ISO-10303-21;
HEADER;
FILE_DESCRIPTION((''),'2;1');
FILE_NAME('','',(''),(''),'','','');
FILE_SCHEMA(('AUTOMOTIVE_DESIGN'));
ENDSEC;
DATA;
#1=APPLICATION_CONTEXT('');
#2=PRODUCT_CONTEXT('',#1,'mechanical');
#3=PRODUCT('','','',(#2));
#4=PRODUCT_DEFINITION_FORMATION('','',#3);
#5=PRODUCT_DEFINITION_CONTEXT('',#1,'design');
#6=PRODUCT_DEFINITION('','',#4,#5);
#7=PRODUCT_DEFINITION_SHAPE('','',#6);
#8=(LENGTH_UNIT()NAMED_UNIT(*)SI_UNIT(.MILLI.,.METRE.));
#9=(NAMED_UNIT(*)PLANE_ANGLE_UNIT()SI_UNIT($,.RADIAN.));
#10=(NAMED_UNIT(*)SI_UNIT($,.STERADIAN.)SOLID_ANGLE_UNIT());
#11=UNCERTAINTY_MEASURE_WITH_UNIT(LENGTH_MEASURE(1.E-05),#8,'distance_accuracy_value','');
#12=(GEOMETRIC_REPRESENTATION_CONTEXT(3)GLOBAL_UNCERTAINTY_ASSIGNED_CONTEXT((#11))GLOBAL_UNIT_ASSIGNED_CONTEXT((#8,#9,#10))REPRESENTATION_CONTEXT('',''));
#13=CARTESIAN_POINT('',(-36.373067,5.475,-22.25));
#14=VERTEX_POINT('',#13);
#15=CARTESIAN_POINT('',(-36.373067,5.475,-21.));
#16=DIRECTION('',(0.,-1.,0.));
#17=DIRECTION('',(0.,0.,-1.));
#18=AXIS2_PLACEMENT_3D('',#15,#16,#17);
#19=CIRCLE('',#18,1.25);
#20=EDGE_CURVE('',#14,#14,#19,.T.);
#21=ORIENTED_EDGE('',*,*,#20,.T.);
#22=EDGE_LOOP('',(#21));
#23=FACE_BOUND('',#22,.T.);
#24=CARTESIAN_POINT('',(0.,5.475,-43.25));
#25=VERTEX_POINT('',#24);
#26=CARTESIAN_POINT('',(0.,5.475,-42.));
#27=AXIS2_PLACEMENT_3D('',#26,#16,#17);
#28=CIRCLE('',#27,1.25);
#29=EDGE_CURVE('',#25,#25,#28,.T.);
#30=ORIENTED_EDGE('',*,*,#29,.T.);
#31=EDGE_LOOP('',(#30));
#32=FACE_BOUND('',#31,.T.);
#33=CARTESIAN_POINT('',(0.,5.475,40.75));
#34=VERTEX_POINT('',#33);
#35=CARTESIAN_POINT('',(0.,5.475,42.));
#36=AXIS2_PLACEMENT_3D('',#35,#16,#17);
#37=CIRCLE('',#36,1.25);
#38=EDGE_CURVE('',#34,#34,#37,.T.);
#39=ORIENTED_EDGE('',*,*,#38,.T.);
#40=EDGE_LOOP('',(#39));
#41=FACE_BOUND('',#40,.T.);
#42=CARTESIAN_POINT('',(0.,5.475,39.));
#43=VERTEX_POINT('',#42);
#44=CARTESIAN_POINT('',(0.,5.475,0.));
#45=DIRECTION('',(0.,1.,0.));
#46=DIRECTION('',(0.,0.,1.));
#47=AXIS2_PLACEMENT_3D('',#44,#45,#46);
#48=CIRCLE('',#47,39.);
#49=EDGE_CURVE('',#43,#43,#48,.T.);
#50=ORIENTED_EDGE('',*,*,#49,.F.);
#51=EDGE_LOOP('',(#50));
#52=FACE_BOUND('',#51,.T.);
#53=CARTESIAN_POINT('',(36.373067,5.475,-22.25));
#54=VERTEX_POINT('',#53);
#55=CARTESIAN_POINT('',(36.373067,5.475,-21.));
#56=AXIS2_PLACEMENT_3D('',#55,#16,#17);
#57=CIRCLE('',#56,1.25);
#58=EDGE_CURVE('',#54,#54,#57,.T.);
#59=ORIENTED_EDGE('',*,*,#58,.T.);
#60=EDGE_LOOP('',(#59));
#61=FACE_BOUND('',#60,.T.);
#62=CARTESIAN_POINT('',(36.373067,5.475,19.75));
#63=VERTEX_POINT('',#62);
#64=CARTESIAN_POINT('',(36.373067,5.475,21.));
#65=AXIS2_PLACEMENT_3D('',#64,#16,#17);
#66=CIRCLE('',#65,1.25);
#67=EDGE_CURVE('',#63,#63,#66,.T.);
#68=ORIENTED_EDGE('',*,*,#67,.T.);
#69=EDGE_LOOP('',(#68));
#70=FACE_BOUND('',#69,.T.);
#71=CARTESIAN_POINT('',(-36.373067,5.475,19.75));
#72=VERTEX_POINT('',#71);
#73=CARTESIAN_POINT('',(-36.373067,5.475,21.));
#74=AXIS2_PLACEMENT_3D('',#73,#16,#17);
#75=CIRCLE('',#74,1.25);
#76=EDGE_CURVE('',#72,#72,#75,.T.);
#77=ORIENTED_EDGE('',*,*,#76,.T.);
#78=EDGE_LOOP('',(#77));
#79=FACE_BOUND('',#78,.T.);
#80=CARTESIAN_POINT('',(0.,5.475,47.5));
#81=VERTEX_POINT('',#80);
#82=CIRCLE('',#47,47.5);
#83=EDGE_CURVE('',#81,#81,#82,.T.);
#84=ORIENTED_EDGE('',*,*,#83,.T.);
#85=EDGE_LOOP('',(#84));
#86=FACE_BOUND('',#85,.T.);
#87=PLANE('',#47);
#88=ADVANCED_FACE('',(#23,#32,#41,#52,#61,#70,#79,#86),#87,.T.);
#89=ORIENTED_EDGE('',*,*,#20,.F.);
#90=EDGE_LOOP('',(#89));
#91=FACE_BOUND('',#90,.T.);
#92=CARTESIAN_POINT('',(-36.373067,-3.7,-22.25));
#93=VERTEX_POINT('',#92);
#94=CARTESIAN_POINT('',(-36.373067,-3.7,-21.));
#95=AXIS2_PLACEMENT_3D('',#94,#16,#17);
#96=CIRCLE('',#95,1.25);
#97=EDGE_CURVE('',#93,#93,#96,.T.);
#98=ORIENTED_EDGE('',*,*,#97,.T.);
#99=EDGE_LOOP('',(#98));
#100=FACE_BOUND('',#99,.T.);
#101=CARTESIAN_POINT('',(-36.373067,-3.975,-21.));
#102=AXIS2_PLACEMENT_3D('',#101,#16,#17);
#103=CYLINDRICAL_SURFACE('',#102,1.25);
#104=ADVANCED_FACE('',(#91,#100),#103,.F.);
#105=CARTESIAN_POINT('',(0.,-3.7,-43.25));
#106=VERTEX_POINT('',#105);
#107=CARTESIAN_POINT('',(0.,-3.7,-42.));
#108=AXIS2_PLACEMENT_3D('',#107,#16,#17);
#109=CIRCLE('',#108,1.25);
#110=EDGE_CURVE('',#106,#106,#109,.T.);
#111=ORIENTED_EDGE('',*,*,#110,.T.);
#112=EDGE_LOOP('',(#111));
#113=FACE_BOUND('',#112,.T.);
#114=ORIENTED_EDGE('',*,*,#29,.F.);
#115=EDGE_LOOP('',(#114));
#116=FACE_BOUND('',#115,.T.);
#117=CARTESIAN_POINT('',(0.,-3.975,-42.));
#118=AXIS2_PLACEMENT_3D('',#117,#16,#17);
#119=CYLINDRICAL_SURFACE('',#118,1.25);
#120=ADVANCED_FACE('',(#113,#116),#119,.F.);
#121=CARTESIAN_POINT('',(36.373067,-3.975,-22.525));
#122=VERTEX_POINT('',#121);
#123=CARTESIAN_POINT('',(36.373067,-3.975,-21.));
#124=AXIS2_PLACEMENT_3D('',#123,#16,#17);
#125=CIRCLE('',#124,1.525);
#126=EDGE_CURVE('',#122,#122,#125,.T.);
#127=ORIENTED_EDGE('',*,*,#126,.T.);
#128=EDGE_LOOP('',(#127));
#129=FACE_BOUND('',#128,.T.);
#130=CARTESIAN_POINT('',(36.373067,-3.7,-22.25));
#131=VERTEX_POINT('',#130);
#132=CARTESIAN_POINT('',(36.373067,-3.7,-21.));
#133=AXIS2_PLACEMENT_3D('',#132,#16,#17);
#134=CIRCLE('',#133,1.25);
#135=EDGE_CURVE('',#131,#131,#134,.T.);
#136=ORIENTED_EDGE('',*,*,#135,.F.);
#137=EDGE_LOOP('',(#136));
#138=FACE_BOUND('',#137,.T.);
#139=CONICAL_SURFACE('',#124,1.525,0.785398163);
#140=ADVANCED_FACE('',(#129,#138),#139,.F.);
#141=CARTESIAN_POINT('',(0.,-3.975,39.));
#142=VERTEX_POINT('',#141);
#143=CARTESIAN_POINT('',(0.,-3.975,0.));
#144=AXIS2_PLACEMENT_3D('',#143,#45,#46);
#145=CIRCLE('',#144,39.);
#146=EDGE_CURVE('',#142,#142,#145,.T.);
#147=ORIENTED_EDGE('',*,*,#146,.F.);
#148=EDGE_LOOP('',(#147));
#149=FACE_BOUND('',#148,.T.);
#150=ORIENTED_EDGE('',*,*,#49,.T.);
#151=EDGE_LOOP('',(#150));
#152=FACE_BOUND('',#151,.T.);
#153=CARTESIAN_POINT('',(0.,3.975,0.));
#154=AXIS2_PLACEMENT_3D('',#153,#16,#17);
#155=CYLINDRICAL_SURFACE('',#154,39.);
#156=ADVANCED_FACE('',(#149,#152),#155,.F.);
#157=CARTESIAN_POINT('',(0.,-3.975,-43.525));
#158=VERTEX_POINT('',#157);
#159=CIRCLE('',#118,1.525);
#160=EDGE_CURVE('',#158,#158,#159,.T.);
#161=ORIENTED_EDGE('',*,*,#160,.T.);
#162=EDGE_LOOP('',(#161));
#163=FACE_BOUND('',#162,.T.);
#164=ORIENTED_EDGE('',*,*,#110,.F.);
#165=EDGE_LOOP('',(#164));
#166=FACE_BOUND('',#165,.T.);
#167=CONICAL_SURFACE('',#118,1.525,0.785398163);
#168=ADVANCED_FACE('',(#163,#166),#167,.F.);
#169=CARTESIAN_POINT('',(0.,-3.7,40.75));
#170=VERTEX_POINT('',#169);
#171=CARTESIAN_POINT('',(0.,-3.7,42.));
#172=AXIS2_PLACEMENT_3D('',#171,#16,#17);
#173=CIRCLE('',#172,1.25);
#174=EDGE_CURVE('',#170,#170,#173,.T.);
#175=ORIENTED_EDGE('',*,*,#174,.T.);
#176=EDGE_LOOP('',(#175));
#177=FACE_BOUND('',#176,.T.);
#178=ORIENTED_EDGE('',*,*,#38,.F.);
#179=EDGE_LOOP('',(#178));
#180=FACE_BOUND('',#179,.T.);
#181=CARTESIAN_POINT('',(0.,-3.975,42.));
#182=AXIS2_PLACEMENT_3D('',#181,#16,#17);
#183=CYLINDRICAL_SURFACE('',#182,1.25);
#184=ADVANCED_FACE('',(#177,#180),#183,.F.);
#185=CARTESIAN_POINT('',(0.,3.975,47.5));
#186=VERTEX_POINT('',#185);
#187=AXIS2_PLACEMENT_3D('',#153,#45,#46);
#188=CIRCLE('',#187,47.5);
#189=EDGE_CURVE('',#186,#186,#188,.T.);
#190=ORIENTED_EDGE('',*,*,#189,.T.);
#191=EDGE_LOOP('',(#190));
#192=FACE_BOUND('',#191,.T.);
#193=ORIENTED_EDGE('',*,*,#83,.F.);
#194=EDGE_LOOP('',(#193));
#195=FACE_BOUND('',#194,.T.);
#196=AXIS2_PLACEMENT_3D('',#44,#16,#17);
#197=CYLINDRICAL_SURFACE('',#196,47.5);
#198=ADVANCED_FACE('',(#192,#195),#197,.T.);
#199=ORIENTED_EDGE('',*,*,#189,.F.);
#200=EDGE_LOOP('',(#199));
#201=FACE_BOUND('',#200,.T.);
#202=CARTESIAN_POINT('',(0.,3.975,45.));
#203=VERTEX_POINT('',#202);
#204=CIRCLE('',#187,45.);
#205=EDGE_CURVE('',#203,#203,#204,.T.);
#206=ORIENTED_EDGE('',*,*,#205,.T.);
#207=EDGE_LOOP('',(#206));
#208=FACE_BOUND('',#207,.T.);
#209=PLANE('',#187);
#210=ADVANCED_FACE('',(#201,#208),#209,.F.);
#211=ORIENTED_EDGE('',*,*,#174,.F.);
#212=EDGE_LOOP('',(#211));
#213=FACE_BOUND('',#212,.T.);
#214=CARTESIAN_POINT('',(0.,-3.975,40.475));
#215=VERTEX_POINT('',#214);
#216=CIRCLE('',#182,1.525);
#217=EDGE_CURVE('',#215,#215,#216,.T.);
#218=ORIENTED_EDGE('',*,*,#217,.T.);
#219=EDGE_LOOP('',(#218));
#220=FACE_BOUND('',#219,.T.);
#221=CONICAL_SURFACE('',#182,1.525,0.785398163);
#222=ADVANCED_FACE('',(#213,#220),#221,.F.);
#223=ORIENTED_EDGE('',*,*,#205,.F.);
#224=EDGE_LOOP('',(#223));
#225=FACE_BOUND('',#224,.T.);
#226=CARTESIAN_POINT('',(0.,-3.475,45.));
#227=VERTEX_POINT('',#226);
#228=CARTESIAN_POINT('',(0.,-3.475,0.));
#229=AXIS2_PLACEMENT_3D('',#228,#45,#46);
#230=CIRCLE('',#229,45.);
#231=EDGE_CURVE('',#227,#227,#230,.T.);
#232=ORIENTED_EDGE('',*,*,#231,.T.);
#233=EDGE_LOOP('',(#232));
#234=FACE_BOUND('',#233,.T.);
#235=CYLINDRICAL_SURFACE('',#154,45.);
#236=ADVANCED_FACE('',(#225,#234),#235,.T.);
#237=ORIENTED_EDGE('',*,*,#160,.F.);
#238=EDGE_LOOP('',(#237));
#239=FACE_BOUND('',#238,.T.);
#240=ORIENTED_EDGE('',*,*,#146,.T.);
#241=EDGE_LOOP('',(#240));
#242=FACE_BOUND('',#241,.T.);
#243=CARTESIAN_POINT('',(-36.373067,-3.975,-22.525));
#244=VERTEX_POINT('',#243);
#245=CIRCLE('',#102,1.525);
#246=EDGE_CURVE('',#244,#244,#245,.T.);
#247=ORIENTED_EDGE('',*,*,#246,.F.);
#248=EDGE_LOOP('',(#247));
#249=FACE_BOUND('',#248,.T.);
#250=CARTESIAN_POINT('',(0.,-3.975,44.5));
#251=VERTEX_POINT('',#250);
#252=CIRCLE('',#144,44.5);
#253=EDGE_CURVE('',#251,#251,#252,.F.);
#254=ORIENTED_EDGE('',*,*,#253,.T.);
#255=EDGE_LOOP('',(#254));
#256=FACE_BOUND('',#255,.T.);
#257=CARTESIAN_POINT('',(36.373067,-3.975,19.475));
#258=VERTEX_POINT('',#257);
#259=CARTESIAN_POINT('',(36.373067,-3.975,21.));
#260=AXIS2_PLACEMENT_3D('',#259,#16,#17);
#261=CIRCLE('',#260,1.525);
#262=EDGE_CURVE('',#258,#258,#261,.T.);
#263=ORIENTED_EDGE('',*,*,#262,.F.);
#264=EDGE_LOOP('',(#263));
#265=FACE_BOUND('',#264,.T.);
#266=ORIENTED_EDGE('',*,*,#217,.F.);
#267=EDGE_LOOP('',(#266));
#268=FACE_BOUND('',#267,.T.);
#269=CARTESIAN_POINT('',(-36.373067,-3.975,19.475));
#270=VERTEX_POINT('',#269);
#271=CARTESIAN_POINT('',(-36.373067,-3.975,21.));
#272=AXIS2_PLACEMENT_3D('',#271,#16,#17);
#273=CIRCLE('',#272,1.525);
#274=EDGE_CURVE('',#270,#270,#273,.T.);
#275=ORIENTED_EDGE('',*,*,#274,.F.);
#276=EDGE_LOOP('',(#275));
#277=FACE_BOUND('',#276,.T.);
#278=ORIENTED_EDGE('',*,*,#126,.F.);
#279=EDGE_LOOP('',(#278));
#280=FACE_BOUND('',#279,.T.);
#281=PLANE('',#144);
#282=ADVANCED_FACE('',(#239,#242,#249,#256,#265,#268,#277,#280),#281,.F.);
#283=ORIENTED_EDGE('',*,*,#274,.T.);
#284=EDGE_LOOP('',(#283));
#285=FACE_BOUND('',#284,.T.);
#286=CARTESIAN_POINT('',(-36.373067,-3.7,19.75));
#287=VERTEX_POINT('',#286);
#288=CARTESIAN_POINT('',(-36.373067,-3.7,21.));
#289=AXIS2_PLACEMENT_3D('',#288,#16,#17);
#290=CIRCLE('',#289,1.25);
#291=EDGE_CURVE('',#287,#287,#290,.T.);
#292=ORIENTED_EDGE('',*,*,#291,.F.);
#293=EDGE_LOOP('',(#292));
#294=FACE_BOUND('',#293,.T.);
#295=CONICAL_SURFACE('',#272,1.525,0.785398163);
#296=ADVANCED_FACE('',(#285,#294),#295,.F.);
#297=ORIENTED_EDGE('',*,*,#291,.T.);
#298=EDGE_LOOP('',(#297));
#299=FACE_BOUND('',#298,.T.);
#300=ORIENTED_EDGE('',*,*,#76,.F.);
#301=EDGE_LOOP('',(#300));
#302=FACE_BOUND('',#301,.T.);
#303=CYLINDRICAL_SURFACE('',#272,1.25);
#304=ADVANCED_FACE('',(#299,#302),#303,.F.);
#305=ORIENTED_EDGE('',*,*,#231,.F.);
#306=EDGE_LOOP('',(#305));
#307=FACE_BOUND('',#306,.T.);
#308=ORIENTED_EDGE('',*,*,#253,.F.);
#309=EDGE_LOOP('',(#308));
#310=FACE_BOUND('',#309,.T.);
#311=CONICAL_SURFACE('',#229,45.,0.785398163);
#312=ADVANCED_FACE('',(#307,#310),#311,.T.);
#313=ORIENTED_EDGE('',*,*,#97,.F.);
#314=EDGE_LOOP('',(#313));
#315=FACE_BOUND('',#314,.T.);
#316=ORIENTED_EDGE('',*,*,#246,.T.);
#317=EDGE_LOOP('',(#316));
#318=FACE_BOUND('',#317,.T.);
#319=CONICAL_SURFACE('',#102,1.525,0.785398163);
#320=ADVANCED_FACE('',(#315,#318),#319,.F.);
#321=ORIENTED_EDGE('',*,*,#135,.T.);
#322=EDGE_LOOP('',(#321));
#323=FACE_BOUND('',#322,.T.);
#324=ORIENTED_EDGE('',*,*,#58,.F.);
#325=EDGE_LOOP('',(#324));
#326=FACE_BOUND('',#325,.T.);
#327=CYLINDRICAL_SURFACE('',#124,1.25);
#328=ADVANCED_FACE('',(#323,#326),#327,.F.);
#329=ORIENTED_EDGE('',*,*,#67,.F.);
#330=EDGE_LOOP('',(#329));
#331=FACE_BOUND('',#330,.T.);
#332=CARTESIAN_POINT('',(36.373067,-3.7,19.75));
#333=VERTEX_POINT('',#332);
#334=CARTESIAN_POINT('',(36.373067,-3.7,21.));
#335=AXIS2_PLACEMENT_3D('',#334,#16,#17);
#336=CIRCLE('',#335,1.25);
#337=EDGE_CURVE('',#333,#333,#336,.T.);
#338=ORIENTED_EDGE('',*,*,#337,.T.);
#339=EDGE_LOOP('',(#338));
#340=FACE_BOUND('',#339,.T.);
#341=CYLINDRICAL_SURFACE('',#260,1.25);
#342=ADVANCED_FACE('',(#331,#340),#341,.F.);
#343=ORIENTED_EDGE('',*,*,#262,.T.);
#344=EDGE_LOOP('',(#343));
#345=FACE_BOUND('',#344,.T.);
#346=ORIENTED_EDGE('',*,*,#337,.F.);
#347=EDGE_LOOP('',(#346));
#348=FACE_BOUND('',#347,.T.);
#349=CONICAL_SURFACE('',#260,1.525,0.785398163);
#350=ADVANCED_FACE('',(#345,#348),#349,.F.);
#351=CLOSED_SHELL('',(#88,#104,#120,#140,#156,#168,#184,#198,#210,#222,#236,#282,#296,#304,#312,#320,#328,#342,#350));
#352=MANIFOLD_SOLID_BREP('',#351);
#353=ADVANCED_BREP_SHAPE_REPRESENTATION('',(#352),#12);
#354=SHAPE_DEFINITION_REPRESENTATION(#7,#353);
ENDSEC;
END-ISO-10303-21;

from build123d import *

# Parameters (mm, degrees)
SKETCH_1_R                   = 45
SKETCH_1_R_2                 = 39
EXTRUDE_1_DEPTH              = 3.975
SKETCH_2_R                   = 47.5
SKETCH_2_R_2                 = 39
EXTRUDE_2_DEPTH              = 1.5
HOLE_WIZARD_M3_1_D           = 2.5
HOLE_WIZARD_M3_1_CSINK_D     = 3.05
HOLE_WIZARD_M3_1_CSINK_ANGLE = 90
PATTERN_CIRCULAR_1_COUNT     = 6
CHAMFER_1_SIZE               = 0.5


with BuildPart() as part:
    # 草图1 → 凸台-拉伸1 (new, symmetric)
    with BuildSketch(Plane(origin=(0, 0, 0), x_dir=(1, 0, 0), z_dir=(0, 1, 0))):
        with Locations(Location((0, 0, 0), (0, 0, 270))):
            Circle(SKETCH_1_R)
        with Locations(Location((0, 0, 0), (0, 0, 270))):
            Circle(SKETCH_1_R_2, mode=Mode.SUBTRACT)
    extrude(amount=EXTRUDE_1_DEPTH, both=True)

    # 草图2 → 凸台-拉伸2 (add)
    with BuildSketch(Plane(origin=(0, 3.975, 0), x_dir=(1, 0, 0), z_dir=(0, 1, 0))):
        with Locations(Location((0, 0, 0), (0, 0, 270))):
            Circle(SKETCH_2_R)
        with Locations(Location((0, 0, 0), (0, 0, 270))):
            Circle(SKETCH_2_R_2, mode=Mode.SUBTRACT)
    extrude(amount=EXTRUDE_2_DEPTH)

    # M3 螺纹孔1 (through all)
    with Locations(Plane(origin=(0, -3.975, 0), x_dir=(-1, 0, 0), z_dir=(0, -1, 0))):
        with Locations((0, 42)):
            hole_wizard_m3_1 = CounterSinkHole(HOLE_WIZARD_M3_1_D / 2, HOLE_WIZARD_M3_1_CSINK_D / 2, counter_sink_angle=HOLE_WIZARD_M3_1_CSINK_ANGLE)

    # 阵列(圆周)1: M3 螺纹孔1 ×6 about axis
    pattern_circular_1_axis = Axis((0, 0, 0), (0, 1, 0))
    for i in range(1, PATTERN_CIRCULAR_1_COUNT):
        add(hole_wizard_m3_1.rotate(pattern_circular_1_axis, i * 360 / PATTERN_CIRCULAR_1_COUNT), mode=Mode.SUBTRACT)

    # 倒角1
    chamfer_1_edges = [part.edges().sort_by_distance(p)[0] for p in [
        (0, -3.975, -45),
    ]]
    chamfer(chamfer_1_edges, length=CHAMFER_1_SIZE)


solid = part.part
